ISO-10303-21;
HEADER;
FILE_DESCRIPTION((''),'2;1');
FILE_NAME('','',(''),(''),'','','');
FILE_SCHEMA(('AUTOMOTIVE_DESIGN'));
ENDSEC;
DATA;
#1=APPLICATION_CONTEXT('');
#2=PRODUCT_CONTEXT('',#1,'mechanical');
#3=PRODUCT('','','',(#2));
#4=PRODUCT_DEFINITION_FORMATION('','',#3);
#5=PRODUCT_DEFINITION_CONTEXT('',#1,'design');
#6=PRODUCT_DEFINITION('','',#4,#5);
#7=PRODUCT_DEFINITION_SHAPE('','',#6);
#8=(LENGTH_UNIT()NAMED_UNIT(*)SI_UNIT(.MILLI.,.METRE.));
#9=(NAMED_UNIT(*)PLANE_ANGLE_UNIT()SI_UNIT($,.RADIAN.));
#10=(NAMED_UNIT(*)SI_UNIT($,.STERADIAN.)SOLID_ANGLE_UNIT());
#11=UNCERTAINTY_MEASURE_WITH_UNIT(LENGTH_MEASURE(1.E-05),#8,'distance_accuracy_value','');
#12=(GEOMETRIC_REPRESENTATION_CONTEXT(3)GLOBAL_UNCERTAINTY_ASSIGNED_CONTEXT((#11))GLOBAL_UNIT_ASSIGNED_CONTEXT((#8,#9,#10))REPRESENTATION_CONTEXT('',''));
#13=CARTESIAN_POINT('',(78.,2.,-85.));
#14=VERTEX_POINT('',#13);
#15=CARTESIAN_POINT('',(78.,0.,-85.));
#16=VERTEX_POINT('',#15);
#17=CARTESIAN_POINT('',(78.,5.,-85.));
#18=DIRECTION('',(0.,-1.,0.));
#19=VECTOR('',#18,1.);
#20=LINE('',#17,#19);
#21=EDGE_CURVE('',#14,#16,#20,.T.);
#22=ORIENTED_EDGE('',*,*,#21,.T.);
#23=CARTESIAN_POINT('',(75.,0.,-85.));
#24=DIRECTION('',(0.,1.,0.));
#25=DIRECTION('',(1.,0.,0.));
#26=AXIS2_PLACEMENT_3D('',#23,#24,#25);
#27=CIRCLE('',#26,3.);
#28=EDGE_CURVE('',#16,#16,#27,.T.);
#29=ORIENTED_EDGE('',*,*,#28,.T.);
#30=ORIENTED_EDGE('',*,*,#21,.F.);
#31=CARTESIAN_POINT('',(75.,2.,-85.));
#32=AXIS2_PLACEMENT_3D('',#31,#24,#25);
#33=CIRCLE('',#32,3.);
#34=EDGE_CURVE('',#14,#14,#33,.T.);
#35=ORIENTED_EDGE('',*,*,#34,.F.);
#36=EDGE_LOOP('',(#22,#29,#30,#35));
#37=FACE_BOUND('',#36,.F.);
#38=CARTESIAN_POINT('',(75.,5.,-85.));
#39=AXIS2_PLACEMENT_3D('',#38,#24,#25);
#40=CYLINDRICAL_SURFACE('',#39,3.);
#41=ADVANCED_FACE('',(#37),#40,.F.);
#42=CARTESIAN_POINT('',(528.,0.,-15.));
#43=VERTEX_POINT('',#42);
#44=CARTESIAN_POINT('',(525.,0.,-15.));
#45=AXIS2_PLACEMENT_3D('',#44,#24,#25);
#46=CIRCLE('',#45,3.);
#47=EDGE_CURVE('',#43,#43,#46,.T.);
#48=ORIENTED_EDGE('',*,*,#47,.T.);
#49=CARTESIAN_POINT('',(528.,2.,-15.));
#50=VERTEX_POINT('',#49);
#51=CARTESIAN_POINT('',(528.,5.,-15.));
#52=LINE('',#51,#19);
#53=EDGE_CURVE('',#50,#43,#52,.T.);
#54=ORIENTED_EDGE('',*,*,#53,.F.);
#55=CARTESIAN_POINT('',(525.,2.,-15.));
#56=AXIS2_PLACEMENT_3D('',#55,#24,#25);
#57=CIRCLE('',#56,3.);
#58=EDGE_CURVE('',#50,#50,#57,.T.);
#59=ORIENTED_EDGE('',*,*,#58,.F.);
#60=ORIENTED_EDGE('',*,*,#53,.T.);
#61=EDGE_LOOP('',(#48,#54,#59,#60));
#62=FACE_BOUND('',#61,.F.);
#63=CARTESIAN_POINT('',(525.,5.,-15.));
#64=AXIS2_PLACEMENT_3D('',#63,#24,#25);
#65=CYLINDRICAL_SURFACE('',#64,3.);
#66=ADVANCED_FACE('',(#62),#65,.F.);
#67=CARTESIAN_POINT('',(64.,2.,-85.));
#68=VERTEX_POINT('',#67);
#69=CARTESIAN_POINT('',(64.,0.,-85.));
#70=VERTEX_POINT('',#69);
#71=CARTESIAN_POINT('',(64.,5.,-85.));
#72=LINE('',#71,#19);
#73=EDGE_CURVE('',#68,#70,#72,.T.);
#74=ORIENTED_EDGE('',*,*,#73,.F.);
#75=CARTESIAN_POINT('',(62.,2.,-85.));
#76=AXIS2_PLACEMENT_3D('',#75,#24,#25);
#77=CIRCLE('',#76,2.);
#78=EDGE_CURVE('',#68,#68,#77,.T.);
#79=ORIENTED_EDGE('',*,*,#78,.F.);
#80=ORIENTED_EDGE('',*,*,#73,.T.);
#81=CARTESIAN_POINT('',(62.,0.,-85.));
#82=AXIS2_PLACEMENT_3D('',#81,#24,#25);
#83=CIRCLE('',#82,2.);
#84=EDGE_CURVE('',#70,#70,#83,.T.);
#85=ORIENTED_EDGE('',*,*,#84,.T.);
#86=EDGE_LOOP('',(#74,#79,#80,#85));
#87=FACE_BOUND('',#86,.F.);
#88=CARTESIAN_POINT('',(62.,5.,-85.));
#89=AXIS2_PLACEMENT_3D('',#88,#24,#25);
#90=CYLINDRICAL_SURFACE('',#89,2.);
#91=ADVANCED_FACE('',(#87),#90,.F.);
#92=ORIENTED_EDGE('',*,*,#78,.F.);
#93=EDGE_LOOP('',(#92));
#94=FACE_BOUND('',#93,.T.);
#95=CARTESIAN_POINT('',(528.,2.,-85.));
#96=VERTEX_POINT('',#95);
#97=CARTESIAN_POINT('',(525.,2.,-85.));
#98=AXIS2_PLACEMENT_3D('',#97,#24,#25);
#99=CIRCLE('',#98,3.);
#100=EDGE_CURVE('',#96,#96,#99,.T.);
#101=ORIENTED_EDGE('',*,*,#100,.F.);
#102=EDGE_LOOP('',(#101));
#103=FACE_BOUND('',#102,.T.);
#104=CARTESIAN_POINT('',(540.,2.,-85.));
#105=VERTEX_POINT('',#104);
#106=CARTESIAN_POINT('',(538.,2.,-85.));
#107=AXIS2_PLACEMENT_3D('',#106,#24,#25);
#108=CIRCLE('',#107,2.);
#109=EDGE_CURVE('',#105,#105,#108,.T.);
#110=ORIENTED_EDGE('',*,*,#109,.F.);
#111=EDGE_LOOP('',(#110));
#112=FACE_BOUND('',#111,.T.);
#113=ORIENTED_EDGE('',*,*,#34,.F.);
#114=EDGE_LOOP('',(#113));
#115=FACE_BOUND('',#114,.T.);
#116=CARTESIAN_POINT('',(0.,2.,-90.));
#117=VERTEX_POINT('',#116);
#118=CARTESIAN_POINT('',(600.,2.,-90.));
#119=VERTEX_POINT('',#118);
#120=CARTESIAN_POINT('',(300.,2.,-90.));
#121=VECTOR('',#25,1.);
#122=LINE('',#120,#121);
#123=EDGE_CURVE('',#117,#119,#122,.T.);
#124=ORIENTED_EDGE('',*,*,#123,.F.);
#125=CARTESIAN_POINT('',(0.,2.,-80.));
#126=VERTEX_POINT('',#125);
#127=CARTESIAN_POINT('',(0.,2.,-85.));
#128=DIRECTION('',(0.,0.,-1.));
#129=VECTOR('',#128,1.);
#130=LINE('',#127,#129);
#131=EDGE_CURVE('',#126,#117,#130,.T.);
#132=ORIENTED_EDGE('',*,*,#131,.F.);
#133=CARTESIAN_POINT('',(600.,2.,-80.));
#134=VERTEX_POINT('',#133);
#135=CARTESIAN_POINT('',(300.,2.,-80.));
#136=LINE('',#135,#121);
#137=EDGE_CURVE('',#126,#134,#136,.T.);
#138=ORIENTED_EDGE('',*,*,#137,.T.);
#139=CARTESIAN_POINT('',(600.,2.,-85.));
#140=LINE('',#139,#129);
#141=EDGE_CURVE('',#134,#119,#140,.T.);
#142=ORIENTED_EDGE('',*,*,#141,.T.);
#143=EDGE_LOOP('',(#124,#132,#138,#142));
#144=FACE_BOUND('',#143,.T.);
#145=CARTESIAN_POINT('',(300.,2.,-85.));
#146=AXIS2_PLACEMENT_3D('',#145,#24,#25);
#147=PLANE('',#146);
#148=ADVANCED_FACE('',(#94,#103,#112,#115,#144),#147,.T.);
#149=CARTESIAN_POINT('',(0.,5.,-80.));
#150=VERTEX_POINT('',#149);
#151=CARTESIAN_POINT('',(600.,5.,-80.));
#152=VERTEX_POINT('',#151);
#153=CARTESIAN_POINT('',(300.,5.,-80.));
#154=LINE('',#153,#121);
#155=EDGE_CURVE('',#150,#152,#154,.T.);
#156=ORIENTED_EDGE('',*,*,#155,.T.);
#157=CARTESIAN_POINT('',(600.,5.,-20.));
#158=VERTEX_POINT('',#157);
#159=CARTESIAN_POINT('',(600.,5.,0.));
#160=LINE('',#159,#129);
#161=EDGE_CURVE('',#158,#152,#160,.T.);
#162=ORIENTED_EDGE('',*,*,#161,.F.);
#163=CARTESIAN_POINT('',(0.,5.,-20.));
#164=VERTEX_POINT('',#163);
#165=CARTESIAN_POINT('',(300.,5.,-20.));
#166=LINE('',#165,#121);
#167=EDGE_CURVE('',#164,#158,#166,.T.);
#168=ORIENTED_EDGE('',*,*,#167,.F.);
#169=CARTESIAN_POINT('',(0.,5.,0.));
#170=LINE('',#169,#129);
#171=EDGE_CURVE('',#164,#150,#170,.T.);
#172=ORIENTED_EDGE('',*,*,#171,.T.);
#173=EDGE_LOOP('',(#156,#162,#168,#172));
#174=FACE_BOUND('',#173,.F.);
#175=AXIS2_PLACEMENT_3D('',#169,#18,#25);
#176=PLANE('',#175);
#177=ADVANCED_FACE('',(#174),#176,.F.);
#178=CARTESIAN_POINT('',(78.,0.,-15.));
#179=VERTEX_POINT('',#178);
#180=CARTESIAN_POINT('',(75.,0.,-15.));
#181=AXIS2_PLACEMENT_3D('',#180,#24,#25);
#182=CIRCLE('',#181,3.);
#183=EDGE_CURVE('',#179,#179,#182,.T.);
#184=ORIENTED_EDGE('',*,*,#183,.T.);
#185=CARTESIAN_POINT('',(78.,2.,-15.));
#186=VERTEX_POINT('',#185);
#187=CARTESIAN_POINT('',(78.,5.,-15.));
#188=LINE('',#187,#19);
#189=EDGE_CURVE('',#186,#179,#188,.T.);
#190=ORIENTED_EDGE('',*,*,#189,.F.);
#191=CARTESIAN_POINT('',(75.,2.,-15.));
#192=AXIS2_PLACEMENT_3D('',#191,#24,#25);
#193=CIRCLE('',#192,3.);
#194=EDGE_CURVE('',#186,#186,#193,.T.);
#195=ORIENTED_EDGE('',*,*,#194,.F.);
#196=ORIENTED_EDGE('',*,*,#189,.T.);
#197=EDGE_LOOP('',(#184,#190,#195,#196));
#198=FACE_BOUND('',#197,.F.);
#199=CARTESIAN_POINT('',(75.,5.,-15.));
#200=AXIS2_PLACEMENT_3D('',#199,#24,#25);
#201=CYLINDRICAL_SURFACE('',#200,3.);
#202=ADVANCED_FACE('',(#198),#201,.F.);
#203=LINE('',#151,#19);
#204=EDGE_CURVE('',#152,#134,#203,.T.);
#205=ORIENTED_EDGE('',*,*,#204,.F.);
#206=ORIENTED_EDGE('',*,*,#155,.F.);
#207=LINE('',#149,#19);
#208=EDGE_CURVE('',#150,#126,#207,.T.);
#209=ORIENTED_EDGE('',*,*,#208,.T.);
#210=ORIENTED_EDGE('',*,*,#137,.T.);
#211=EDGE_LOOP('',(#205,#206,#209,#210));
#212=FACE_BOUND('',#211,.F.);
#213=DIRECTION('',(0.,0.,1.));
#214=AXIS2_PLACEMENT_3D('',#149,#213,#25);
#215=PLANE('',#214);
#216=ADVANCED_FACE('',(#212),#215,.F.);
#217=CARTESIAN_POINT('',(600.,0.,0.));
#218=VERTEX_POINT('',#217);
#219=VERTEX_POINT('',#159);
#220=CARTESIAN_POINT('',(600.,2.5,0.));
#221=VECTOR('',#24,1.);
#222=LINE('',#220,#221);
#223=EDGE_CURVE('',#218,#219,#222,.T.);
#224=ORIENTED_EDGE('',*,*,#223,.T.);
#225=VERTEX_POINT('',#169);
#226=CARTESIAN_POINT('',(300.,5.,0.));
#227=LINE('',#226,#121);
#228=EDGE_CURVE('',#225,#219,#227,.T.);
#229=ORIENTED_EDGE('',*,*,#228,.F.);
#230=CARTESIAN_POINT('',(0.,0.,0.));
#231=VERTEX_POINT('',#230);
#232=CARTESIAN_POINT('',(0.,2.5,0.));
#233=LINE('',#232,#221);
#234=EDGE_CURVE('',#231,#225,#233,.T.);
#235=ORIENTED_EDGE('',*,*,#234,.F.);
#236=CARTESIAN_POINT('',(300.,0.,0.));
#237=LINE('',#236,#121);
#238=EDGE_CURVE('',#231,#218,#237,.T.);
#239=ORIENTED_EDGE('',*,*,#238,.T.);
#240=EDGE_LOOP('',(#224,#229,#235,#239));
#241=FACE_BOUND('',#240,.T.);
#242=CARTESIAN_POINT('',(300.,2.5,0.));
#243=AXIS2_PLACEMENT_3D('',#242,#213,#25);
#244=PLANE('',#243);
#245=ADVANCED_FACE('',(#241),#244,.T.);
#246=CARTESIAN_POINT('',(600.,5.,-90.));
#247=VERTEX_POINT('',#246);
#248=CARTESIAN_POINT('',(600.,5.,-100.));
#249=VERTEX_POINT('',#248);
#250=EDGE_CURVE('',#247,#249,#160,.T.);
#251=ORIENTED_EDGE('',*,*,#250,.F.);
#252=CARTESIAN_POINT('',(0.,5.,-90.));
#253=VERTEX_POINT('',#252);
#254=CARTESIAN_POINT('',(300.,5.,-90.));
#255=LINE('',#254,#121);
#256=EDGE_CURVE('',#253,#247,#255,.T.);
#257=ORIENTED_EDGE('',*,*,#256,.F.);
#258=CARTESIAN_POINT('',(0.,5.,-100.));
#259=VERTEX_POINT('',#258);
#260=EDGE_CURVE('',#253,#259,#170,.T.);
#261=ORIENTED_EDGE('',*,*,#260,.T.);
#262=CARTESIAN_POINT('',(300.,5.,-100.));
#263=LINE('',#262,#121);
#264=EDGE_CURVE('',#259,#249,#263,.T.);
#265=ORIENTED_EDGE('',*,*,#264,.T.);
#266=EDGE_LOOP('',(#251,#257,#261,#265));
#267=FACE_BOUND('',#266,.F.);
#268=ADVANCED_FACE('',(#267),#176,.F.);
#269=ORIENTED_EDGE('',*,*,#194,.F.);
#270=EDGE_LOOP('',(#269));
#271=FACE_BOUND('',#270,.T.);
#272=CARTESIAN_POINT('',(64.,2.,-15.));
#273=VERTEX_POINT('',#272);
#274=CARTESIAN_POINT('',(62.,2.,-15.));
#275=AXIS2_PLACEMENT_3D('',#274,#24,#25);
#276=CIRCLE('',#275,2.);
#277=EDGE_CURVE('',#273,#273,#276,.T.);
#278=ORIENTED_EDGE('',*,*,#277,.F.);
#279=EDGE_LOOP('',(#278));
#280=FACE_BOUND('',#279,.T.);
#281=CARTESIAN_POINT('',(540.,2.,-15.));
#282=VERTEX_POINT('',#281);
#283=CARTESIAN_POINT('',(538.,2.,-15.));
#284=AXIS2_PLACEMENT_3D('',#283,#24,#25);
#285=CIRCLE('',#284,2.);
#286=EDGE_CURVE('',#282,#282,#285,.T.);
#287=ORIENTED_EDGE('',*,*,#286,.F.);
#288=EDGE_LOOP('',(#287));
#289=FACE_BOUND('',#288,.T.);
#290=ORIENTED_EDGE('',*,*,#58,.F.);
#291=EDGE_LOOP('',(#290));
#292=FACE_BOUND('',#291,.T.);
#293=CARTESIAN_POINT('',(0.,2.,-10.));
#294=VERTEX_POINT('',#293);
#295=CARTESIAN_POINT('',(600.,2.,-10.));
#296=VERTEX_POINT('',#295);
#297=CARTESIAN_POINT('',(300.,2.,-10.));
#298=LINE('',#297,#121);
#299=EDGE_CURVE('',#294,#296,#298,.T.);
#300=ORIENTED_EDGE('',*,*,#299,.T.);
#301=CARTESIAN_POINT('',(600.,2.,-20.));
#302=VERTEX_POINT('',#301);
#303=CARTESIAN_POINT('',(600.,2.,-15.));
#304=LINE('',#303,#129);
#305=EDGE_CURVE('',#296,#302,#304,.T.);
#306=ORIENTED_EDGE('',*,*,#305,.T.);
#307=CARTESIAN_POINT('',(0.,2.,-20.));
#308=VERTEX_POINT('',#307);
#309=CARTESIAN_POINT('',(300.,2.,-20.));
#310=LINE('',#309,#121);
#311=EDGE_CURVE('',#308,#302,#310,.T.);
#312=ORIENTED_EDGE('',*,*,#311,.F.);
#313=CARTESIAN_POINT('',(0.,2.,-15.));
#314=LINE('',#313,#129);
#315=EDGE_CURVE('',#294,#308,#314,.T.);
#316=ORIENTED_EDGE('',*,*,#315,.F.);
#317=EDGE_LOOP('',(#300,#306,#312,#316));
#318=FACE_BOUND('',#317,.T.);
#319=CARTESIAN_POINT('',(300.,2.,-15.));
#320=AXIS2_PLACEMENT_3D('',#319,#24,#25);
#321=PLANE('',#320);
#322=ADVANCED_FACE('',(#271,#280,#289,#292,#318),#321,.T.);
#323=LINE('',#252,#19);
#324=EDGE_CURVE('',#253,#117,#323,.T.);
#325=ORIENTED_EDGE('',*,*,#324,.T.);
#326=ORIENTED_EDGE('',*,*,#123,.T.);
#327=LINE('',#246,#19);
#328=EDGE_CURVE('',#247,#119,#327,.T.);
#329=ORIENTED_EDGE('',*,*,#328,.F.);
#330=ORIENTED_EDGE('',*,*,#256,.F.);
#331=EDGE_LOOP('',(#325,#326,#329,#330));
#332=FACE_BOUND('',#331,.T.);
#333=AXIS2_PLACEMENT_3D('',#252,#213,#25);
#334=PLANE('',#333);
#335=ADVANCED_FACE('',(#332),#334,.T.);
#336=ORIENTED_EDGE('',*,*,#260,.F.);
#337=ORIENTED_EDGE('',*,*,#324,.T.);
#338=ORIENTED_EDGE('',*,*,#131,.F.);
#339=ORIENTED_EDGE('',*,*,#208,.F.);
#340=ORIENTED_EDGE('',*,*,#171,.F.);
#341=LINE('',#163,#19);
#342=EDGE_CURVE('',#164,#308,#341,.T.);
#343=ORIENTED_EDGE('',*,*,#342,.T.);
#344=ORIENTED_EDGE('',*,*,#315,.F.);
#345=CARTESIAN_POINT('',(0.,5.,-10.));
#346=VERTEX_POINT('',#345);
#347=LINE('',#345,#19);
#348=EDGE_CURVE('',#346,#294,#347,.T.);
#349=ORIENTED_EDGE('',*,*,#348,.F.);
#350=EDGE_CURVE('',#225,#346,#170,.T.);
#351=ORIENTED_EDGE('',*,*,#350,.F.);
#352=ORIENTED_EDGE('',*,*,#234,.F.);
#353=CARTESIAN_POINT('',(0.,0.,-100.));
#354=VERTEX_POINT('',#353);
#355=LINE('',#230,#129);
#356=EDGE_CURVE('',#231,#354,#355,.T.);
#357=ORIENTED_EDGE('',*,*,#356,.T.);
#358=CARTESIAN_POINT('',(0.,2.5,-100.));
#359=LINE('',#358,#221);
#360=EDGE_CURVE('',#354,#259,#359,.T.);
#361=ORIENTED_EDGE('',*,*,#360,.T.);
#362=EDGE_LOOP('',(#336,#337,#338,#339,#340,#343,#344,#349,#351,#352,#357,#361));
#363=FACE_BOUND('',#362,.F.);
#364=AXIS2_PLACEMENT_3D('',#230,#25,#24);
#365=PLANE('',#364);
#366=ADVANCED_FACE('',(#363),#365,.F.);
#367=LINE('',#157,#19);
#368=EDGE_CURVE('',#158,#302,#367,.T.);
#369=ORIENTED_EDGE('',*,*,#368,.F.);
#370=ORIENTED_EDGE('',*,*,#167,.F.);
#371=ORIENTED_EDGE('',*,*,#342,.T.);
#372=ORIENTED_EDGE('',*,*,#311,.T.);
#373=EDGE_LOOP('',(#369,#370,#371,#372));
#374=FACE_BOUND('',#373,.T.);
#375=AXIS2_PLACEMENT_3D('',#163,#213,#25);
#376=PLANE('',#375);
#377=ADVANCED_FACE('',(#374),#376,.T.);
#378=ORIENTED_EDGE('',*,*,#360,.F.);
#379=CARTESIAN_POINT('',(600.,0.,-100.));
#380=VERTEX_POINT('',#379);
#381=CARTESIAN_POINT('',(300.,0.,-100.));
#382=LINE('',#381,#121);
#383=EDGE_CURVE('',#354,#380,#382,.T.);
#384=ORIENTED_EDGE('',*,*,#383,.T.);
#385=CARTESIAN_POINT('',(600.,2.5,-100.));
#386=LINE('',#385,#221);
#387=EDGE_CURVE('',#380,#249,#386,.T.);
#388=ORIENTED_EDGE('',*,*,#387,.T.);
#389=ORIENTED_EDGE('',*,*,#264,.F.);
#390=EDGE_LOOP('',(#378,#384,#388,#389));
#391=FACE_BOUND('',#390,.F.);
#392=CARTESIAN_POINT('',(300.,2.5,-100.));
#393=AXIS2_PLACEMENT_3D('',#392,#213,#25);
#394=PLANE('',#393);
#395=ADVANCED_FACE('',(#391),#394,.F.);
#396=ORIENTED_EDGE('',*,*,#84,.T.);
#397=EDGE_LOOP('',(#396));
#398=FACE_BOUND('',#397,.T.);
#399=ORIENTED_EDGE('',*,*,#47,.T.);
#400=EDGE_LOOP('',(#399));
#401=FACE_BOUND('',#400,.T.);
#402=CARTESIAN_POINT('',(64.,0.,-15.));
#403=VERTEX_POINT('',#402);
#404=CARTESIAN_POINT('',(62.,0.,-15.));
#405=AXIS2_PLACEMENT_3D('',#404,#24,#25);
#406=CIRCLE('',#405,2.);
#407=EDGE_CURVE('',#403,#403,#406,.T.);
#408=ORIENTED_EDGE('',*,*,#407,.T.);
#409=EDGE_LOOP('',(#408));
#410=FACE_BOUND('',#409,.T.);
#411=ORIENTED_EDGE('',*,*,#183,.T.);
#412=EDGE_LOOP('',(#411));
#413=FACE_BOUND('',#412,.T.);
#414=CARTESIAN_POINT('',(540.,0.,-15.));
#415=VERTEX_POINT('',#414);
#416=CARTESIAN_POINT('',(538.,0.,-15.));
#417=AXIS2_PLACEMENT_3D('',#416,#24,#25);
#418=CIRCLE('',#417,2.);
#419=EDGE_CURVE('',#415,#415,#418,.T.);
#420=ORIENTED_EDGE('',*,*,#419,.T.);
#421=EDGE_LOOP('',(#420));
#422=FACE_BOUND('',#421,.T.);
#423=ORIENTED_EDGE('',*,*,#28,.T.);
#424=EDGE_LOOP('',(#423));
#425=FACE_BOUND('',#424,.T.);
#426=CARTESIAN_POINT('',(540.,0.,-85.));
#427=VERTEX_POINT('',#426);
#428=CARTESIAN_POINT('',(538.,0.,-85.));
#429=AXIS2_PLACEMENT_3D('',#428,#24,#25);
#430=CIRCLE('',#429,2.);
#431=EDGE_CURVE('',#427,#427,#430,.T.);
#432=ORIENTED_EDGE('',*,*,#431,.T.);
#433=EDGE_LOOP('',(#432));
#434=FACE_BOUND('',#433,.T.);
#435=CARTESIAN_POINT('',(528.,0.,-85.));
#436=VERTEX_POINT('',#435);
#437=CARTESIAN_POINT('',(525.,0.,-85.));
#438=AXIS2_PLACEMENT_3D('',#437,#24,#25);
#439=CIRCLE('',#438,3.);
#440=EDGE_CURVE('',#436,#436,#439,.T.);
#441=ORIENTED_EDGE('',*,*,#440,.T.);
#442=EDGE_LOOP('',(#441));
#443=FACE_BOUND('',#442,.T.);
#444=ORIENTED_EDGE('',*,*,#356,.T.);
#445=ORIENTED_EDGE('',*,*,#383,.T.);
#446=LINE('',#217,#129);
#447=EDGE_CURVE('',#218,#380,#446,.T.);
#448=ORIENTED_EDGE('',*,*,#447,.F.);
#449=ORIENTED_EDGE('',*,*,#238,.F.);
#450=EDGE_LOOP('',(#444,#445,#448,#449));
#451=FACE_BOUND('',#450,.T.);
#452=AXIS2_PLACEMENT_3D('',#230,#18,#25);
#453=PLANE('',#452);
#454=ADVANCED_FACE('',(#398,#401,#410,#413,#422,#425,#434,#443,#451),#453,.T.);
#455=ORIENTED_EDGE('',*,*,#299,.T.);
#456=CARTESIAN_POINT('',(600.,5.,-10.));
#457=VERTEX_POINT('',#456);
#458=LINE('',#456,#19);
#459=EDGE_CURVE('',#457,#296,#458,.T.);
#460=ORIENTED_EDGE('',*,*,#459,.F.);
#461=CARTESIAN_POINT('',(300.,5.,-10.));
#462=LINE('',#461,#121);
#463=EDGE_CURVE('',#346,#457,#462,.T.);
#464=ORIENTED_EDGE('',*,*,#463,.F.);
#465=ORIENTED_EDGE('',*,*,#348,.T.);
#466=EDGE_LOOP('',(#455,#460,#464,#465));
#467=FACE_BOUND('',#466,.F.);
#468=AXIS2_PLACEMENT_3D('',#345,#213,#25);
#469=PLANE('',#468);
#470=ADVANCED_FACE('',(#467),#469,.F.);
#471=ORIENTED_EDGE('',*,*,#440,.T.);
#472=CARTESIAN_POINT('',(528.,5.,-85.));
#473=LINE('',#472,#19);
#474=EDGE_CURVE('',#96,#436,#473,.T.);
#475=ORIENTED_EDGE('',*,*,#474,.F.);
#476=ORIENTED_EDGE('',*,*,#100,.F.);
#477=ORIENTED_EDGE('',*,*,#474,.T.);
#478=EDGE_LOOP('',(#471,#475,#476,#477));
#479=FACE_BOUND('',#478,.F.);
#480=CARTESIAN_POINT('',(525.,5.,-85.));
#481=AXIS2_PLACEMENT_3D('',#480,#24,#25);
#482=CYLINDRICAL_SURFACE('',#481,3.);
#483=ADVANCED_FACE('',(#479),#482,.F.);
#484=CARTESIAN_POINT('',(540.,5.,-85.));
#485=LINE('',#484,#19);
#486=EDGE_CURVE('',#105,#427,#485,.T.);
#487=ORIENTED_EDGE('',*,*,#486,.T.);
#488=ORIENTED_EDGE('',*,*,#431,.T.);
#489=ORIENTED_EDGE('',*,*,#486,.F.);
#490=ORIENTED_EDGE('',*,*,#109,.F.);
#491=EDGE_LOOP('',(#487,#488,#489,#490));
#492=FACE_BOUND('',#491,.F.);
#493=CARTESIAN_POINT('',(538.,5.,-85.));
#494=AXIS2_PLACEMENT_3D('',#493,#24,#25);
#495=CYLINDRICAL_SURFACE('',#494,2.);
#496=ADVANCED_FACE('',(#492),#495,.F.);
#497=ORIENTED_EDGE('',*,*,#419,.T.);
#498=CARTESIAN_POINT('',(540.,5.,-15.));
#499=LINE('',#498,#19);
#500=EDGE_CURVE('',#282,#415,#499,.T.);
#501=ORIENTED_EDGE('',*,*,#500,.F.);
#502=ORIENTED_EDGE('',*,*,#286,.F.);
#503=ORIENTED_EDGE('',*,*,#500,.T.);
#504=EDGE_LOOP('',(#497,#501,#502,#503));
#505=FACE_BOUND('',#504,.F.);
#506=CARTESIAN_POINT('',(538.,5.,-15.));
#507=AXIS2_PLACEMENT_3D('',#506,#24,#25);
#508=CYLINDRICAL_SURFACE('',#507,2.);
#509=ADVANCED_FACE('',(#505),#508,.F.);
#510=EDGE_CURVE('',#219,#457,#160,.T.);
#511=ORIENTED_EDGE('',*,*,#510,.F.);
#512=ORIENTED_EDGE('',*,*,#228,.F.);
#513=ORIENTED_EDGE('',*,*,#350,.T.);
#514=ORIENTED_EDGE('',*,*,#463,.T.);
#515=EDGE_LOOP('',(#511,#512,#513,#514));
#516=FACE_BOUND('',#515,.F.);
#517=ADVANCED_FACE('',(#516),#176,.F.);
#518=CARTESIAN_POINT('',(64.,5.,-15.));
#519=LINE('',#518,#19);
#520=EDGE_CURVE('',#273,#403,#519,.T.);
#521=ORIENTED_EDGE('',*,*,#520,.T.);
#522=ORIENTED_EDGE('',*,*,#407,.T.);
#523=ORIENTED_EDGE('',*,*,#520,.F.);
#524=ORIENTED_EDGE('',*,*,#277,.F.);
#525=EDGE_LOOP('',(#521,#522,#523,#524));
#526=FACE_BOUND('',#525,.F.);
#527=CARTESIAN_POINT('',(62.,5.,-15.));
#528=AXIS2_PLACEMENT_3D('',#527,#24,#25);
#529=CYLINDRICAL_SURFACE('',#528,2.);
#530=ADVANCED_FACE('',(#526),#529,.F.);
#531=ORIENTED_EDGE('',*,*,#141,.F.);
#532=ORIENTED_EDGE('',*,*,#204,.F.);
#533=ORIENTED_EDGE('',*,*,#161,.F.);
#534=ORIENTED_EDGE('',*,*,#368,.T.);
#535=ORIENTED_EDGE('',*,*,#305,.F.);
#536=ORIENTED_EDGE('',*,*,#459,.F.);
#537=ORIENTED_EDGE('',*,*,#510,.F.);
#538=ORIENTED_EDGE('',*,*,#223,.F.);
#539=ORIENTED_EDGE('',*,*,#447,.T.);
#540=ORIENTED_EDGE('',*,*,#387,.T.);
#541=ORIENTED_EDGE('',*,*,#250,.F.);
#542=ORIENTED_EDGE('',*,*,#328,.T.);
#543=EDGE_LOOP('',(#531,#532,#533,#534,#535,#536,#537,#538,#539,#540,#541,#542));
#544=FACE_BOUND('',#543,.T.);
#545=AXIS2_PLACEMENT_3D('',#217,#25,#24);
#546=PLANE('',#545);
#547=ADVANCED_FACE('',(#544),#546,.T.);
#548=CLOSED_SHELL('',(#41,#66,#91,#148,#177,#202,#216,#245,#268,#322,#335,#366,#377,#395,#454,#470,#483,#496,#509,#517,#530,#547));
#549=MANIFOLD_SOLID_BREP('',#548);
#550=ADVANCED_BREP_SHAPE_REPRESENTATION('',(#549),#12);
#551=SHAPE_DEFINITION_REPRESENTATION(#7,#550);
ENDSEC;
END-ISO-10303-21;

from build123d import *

# Parameters (mm, degrees)
SKETCH1_W           = 600
SKETCH1_H           = 5
BOSS_EXTRUDE1_DEPTH = 100
SKETCH5_W           = 600
SKETCH5_H           = 10
CUT_EXTRUDE1_DEPTH  = 3
SKETCH6_R           = 2
CUT_EXTRUDE2_DEPTH  = 6
SKETCH7_R           = 3
CUT_EXTRUDE3_DEPTH  = 6


with BuildPart() as part:
    # Sketch1 → Boss-Extrude1 (new body)
    with BuildSketch(Plane.XY):
        with Locations((300, 2.5)):
            Rectangle(SKETCH1_W, SKETCH1_H)
    extrude(amount=-BOSS_EXTRUDE1_DEPTH)

    # Sketch5 → Cut-Extrude1 (cut)
    with BuildSketch(Plane(origin=(0, 5, 0), x_dir=(1, 0, 0), z_dir=(0, 1, 0))):
        with Locations((300, 85)):
            Rectangle(SKETCH5_W, SKETCH5_H)
        with Locations((300, 15)):
            Rectangle(SKETCH5_W, SKETCH5_H)
    extrude(amount=-CUT_EXTRUDE1_DEPTH, mode=Mode.SUBTRACT)

    # Sketch6 → Cut-Extrude2 (cut, through all)
    with BuildSketch(Plane(origin=(0, 5, 0), x_dir=(1, 0, 0), z_dir=(0, 1, 0))):
        with Locations((62, 85)):
            Circle(SKETCH6_R)
        with Locations((62, 15)):
            Circle(SKETCH6_R)
        with Locations((538, 85)):
            Circle(SKETCH6_R)
        with Locations((538, 15)):
            Circle(SKETCH6_R)
    extrude(amount=-CUT_EXTRUDE2_DEPTH, mode=Mode.SUBTRACT)

    # Sketch7 → Cut-Extrude3 (cut, through all)
    with BuildSketch(Plane(origin=(0, 5, 0), x_dir=(1, 0, 0), z_dir=(0, 1, 0))):
        with Locations((75, 85)):
            Circle(SKETCH7_R)
        with Locations((75, 15)):
            Circle(SKETCH7_R)
        with Locations((525, 85)):
            Circle(SKETCH7_R)
        with Locations((525, 15)):
            Circle(SKETCH7_R)
    extrude(amount=-CUT_EXTRUDE3_DEPTH, mode=Mode.SUBTRACT)


solid = part.part
